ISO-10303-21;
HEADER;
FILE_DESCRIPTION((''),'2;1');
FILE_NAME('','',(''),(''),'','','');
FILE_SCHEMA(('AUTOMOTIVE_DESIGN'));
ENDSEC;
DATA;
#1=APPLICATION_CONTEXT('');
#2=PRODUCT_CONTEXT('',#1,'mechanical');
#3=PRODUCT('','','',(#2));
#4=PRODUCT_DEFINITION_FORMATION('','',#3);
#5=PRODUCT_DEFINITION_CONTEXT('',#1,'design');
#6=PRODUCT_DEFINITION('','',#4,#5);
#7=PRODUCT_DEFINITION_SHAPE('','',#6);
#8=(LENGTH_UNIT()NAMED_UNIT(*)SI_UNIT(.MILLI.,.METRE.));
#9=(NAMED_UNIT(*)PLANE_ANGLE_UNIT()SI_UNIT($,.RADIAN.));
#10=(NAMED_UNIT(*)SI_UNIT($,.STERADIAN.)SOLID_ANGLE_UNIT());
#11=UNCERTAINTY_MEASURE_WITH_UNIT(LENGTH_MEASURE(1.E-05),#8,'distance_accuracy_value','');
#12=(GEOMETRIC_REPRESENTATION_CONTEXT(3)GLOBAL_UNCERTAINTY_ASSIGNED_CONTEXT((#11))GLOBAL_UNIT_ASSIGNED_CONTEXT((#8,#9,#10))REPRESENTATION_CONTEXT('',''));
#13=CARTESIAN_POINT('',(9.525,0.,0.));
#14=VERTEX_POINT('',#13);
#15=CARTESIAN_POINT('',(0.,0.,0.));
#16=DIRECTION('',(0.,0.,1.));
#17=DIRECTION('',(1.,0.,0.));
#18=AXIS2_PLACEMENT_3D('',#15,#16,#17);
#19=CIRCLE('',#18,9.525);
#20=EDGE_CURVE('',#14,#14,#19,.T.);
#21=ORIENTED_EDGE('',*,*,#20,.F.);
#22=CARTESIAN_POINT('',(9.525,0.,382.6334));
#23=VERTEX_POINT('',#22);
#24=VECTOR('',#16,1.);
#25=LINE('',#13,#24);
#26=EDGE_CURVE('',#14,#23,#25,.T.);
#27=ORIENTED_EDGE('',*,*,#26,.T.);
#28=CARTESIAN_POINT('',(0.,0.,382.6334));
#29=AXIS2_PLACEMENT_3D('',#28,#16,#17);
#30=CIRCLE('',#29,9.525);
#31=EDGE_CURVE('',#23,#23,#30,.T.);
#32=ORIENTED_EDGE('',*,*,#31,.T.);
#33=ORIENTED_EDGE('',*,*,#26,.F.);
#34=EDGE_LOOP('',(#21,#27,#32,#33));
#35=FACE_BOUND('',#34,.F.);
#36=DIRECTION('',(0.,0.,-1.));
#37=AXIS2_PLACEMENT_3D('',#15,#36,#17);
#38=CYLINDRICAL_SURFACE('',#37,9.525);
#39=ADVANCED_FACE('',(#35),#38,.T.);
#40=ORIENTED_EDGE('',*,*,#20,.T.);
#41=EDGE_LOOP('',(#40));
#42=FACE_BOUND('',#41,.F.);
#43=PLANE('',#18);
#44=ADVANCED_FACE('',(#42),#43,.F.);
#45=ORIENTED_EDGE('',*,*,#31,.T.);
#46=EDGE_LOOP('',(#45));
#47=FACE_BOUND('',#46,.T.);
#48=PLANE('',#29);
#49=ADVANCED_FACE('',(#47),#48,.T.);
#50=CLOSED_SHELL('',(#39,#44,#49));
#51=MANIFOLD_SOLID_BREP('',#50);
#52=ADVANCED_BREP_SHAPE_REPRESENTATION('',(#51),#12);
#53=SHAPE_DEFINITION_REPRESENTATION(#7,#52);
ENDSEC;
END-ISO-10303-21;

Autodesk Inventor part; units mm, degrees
ref_plane "YZ Plane" through (0, 0, 0) normal (1, 0, 0) x (0, 1, 0)
ref_plane "Start Plane" through (0, 0, 0) normal (0, 0, 1) x (1, 0, 0)
ref_plane "End Plane" through (0, 0, 382.6334) normal (0, 0, 1) x (1, 0, 0)
sketch "Sketch" plane through (0, 0, 0) normal (0, 0, 1) x (1, 0, 0)
  circle A0 centre (0, 0) radius 9.525
  dimension "d0" = 19.05
extrude "Body" add sketch "Sketch" along normal up to surface (382.6334 mm away) from surface at 0
sketch "Sketch2" plane through (0, 0, 0) normal (0, 0, 1) x (1, 0, 0)
  line L0 (0, 0) -> (10, 0)
ref_plane "Work Plane3" through (0, 0, 0) normal (0, -1, 0) x (1, 0, 0)
sketch "Sketch3" plane through (0, 0, 0) normal (0, -1, 0) x (1, 0, 0)
  line L0 (-2, 0) -> (12, 0) projected
  line L1 (-2, 382.6334) -> (12, 382.6334) projected
  dimension "d7" = 382.6334
equation "\"d0\" = Diam"
equation "\"d1\" = G_L"
equation "\"Diam\" = 19.05"
equation "\"G_L\" = d7"
equation "\"G_OFFSET_START\" = 0"
equation "\"G_OFFSET_END\" = 0"
equation "\"d5\" = G_OFFSET_END + B_L"
equation "\"B_L\" = 382.63342"
properties part number "ANSI/AISC Rolled Steel - 3/4-15.064, RB" material "Steel, Mild"
